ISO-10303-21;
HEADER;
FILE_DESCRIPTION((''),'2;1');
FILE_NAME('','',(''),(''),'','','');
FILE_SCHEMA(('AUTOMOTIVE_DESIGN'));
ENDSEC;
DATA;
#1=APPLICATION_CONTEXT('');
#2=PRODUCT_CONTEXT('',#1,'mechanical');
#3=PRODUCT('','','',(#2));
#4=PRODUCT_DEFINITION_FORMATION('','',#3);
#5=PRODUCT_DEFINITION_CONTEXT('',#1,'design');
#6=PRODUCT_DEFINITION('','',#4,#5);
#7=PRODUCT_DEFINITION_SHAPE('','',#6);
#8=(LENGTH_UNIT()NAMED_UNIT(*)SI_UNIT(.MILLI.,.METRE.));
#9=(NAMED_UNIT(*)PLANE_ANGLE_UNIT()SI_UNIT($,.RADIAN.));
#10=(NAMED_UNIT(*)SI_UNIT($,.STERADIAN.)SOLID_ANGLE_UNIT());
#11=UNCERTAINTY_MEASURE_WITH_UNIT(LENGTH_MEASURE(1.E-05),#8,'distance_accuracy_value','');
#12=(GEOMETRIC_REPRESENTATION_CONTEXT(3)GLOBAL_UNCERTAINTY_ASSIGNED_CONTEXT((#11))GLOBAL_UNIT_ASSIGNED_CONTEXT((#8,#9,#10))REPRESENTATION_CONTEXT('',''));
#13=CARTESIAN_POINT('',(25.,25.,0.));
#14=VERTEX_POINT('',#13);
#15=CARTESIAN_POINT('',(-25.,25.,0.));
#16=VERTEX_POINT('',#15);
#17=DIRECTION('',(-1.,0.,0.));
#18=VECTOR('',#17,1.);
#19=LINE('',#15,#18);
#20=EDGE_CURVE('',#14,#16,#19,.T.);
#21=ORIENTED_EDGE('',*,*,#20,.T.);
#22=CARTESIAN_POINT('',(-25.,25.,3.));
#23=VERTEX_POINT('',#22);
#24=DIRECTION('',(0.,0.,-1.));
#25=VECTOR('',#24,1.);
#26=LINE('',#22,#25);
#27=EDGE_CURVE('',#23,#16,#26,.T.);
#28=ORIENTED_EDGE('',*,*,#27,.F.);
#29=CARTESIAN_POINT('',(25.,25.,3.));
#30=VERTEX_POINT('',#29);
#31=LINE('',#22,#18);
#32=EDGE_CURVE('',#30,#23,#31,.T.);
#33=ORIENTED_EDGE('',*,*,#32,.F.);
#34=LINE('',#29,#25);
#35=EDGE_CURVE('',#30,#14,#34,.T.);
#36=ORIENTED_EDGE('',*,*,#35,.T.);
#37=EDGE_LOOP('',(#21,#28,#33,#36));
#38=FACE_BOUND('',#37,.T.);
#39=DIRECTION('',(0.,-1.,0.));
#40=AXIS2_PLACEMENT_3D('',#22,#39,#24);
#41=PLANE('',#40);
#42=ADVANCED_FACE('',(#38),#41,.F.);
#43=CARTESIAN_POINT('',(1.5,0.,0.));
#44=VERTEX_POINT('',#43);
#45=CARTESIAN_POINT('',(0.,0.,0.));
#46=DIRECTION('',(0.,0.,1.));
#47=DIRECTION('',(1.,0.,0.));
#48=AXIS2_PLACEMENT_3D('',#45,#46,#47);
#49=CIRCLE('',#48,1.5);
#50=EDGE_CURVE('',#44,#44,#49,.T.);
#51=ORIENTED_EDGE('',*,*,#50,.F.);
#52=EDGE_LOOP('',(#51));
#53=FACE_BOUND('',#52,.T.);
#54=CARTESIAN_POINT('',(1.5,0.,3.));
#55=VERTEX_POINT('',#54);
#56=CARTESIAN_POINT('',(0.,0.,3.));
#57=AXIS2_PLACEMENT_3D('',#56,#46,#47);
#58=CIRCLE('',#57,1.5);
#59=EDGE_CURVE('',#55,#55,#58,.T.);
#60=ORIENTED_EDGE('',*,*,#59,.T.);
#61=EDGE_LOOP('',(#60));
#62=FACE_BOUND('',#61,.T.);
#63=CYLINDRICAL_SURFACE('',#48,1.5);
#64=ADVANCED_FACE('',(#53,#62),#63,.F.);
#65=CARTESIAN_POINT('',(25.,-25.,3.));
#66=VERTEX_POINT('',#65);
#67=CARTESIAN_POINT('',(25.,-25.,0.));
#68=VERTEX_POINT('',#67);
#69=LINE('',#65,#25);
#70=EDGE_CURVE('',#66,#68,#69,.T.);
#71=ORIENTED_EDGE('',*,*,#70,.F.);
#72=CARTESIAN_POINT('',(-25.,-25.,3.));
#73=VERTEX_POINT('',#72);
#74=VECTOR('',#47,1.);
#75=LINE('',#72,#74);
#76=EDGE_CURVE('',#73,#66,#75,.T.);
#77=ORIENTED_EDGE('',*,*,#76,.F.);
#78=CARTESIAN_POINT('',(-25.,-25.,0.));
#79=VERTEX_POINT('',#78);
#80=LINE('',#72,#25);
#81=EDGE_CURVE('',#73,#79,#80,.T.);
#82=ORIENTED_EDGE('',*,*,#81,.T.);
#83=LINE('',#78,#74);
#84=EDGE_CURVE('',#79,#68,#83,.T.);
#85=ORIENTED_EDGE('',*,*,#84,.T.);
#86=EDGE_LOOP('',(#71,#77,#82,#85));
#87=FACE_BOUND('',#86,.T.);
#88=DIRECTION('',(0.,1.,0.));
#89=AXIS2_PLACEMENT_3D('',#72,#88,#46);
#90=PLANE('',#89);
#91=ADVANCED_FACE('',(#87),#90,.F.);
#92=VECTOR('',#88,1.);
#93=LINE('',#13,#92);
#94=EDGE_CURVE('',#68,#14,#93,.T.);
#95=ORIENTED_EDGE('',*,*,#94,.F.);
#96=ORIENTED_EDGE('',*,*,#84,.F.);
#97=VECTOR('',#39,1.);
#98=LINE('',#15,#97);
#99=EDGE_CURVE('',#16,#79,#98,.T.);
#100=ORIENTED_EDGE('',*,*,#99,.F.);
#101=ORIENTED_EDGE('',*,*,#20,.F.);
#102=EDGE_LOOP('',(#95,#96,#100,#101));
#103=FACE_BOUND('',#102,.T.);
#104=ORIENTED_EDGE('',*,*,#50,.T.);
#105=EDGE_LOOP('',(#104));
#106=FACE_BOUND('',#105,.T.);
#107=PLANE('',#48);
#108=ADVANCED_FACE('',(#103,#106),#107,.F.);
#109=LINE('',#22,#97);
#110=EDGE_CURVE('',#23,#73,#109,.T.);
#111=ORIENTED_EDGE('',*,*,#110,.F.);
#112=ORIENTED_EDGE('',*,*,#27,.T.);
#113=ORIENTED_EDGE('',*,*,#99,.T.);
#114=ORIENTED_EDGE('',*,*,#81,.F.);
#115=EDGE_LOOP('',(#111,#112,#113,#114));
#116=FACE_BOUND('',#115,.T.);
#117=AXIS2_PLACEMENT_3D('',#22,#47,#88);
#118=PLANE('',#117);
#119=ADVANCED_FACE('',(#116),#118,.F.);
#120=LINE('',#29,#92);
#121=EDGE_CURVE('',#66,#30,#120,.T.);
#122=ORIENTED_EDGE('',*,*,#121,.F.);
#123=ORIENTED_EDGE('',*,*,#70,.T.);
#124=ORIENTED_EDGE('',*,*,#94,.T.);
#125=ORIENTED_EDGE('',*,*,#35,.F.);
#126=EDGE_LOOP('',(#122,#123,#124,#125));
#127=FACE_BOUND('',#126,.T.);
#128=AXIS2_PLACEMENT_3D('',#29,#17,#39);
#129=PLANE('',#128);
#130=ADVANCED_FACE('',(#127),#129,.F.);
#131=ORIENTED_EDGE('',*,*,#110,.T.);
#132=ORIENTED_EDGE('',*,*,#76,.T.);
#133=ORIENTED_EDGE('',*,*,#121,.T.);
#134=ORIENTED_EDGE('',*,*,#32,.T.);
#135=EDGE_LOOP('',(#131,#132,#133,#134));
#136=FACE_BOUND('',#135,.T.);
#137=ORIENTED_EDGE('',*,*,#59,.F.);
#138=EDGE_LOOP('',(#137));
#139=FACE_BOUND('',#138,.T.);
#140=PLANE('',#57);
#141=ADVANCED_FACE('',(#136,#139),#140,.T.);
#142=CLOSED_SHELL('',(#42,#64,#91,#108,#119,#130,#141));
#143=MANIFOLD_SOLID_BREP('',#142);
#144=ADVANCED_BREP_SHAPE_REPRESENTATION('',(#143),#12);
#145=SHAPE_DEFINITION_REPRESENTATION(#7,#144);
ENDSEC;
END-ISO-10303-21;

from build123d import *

# Parameters (mm, degrees)
SKETCH1_W               = 50
SKETCH1_H               = 50
BOSS_EXTRUDE1_DEPTH     = 3
SKETCH2_R               = 1.5
CUT_EXTRUDE1_DEPTH      = 1
CUT_EXTRUDE1_DEPTH_BACK = 4


with BuildPart() as part:
    # Sketch1 → Boss-Extrude1 (new body)
    with BuildSketch(Plane.XY):
        Rectangle(SKETCH1_W, SKETCH1_H)
    extrude(amount=BOSS_EXTRUDE1_DEPTH)

    # Sketch2 → Cut-Extrude1 (cut, two sides)
    with BuildSketch(Plane.XY.offset(3)) as cut_extrude1_sk:
        Circle(SKETCH2_R)
    extrude(amount=CUT_EXTRUDE1_DEPTH, mode=Mode.SUBTRACT)
    extrude(cut_extrude1_sk.sketch, amount=-CUT_EXTRUDE1_DEPTH_BACK, mode=Mode.SUBTRACT)


solid = part.part
